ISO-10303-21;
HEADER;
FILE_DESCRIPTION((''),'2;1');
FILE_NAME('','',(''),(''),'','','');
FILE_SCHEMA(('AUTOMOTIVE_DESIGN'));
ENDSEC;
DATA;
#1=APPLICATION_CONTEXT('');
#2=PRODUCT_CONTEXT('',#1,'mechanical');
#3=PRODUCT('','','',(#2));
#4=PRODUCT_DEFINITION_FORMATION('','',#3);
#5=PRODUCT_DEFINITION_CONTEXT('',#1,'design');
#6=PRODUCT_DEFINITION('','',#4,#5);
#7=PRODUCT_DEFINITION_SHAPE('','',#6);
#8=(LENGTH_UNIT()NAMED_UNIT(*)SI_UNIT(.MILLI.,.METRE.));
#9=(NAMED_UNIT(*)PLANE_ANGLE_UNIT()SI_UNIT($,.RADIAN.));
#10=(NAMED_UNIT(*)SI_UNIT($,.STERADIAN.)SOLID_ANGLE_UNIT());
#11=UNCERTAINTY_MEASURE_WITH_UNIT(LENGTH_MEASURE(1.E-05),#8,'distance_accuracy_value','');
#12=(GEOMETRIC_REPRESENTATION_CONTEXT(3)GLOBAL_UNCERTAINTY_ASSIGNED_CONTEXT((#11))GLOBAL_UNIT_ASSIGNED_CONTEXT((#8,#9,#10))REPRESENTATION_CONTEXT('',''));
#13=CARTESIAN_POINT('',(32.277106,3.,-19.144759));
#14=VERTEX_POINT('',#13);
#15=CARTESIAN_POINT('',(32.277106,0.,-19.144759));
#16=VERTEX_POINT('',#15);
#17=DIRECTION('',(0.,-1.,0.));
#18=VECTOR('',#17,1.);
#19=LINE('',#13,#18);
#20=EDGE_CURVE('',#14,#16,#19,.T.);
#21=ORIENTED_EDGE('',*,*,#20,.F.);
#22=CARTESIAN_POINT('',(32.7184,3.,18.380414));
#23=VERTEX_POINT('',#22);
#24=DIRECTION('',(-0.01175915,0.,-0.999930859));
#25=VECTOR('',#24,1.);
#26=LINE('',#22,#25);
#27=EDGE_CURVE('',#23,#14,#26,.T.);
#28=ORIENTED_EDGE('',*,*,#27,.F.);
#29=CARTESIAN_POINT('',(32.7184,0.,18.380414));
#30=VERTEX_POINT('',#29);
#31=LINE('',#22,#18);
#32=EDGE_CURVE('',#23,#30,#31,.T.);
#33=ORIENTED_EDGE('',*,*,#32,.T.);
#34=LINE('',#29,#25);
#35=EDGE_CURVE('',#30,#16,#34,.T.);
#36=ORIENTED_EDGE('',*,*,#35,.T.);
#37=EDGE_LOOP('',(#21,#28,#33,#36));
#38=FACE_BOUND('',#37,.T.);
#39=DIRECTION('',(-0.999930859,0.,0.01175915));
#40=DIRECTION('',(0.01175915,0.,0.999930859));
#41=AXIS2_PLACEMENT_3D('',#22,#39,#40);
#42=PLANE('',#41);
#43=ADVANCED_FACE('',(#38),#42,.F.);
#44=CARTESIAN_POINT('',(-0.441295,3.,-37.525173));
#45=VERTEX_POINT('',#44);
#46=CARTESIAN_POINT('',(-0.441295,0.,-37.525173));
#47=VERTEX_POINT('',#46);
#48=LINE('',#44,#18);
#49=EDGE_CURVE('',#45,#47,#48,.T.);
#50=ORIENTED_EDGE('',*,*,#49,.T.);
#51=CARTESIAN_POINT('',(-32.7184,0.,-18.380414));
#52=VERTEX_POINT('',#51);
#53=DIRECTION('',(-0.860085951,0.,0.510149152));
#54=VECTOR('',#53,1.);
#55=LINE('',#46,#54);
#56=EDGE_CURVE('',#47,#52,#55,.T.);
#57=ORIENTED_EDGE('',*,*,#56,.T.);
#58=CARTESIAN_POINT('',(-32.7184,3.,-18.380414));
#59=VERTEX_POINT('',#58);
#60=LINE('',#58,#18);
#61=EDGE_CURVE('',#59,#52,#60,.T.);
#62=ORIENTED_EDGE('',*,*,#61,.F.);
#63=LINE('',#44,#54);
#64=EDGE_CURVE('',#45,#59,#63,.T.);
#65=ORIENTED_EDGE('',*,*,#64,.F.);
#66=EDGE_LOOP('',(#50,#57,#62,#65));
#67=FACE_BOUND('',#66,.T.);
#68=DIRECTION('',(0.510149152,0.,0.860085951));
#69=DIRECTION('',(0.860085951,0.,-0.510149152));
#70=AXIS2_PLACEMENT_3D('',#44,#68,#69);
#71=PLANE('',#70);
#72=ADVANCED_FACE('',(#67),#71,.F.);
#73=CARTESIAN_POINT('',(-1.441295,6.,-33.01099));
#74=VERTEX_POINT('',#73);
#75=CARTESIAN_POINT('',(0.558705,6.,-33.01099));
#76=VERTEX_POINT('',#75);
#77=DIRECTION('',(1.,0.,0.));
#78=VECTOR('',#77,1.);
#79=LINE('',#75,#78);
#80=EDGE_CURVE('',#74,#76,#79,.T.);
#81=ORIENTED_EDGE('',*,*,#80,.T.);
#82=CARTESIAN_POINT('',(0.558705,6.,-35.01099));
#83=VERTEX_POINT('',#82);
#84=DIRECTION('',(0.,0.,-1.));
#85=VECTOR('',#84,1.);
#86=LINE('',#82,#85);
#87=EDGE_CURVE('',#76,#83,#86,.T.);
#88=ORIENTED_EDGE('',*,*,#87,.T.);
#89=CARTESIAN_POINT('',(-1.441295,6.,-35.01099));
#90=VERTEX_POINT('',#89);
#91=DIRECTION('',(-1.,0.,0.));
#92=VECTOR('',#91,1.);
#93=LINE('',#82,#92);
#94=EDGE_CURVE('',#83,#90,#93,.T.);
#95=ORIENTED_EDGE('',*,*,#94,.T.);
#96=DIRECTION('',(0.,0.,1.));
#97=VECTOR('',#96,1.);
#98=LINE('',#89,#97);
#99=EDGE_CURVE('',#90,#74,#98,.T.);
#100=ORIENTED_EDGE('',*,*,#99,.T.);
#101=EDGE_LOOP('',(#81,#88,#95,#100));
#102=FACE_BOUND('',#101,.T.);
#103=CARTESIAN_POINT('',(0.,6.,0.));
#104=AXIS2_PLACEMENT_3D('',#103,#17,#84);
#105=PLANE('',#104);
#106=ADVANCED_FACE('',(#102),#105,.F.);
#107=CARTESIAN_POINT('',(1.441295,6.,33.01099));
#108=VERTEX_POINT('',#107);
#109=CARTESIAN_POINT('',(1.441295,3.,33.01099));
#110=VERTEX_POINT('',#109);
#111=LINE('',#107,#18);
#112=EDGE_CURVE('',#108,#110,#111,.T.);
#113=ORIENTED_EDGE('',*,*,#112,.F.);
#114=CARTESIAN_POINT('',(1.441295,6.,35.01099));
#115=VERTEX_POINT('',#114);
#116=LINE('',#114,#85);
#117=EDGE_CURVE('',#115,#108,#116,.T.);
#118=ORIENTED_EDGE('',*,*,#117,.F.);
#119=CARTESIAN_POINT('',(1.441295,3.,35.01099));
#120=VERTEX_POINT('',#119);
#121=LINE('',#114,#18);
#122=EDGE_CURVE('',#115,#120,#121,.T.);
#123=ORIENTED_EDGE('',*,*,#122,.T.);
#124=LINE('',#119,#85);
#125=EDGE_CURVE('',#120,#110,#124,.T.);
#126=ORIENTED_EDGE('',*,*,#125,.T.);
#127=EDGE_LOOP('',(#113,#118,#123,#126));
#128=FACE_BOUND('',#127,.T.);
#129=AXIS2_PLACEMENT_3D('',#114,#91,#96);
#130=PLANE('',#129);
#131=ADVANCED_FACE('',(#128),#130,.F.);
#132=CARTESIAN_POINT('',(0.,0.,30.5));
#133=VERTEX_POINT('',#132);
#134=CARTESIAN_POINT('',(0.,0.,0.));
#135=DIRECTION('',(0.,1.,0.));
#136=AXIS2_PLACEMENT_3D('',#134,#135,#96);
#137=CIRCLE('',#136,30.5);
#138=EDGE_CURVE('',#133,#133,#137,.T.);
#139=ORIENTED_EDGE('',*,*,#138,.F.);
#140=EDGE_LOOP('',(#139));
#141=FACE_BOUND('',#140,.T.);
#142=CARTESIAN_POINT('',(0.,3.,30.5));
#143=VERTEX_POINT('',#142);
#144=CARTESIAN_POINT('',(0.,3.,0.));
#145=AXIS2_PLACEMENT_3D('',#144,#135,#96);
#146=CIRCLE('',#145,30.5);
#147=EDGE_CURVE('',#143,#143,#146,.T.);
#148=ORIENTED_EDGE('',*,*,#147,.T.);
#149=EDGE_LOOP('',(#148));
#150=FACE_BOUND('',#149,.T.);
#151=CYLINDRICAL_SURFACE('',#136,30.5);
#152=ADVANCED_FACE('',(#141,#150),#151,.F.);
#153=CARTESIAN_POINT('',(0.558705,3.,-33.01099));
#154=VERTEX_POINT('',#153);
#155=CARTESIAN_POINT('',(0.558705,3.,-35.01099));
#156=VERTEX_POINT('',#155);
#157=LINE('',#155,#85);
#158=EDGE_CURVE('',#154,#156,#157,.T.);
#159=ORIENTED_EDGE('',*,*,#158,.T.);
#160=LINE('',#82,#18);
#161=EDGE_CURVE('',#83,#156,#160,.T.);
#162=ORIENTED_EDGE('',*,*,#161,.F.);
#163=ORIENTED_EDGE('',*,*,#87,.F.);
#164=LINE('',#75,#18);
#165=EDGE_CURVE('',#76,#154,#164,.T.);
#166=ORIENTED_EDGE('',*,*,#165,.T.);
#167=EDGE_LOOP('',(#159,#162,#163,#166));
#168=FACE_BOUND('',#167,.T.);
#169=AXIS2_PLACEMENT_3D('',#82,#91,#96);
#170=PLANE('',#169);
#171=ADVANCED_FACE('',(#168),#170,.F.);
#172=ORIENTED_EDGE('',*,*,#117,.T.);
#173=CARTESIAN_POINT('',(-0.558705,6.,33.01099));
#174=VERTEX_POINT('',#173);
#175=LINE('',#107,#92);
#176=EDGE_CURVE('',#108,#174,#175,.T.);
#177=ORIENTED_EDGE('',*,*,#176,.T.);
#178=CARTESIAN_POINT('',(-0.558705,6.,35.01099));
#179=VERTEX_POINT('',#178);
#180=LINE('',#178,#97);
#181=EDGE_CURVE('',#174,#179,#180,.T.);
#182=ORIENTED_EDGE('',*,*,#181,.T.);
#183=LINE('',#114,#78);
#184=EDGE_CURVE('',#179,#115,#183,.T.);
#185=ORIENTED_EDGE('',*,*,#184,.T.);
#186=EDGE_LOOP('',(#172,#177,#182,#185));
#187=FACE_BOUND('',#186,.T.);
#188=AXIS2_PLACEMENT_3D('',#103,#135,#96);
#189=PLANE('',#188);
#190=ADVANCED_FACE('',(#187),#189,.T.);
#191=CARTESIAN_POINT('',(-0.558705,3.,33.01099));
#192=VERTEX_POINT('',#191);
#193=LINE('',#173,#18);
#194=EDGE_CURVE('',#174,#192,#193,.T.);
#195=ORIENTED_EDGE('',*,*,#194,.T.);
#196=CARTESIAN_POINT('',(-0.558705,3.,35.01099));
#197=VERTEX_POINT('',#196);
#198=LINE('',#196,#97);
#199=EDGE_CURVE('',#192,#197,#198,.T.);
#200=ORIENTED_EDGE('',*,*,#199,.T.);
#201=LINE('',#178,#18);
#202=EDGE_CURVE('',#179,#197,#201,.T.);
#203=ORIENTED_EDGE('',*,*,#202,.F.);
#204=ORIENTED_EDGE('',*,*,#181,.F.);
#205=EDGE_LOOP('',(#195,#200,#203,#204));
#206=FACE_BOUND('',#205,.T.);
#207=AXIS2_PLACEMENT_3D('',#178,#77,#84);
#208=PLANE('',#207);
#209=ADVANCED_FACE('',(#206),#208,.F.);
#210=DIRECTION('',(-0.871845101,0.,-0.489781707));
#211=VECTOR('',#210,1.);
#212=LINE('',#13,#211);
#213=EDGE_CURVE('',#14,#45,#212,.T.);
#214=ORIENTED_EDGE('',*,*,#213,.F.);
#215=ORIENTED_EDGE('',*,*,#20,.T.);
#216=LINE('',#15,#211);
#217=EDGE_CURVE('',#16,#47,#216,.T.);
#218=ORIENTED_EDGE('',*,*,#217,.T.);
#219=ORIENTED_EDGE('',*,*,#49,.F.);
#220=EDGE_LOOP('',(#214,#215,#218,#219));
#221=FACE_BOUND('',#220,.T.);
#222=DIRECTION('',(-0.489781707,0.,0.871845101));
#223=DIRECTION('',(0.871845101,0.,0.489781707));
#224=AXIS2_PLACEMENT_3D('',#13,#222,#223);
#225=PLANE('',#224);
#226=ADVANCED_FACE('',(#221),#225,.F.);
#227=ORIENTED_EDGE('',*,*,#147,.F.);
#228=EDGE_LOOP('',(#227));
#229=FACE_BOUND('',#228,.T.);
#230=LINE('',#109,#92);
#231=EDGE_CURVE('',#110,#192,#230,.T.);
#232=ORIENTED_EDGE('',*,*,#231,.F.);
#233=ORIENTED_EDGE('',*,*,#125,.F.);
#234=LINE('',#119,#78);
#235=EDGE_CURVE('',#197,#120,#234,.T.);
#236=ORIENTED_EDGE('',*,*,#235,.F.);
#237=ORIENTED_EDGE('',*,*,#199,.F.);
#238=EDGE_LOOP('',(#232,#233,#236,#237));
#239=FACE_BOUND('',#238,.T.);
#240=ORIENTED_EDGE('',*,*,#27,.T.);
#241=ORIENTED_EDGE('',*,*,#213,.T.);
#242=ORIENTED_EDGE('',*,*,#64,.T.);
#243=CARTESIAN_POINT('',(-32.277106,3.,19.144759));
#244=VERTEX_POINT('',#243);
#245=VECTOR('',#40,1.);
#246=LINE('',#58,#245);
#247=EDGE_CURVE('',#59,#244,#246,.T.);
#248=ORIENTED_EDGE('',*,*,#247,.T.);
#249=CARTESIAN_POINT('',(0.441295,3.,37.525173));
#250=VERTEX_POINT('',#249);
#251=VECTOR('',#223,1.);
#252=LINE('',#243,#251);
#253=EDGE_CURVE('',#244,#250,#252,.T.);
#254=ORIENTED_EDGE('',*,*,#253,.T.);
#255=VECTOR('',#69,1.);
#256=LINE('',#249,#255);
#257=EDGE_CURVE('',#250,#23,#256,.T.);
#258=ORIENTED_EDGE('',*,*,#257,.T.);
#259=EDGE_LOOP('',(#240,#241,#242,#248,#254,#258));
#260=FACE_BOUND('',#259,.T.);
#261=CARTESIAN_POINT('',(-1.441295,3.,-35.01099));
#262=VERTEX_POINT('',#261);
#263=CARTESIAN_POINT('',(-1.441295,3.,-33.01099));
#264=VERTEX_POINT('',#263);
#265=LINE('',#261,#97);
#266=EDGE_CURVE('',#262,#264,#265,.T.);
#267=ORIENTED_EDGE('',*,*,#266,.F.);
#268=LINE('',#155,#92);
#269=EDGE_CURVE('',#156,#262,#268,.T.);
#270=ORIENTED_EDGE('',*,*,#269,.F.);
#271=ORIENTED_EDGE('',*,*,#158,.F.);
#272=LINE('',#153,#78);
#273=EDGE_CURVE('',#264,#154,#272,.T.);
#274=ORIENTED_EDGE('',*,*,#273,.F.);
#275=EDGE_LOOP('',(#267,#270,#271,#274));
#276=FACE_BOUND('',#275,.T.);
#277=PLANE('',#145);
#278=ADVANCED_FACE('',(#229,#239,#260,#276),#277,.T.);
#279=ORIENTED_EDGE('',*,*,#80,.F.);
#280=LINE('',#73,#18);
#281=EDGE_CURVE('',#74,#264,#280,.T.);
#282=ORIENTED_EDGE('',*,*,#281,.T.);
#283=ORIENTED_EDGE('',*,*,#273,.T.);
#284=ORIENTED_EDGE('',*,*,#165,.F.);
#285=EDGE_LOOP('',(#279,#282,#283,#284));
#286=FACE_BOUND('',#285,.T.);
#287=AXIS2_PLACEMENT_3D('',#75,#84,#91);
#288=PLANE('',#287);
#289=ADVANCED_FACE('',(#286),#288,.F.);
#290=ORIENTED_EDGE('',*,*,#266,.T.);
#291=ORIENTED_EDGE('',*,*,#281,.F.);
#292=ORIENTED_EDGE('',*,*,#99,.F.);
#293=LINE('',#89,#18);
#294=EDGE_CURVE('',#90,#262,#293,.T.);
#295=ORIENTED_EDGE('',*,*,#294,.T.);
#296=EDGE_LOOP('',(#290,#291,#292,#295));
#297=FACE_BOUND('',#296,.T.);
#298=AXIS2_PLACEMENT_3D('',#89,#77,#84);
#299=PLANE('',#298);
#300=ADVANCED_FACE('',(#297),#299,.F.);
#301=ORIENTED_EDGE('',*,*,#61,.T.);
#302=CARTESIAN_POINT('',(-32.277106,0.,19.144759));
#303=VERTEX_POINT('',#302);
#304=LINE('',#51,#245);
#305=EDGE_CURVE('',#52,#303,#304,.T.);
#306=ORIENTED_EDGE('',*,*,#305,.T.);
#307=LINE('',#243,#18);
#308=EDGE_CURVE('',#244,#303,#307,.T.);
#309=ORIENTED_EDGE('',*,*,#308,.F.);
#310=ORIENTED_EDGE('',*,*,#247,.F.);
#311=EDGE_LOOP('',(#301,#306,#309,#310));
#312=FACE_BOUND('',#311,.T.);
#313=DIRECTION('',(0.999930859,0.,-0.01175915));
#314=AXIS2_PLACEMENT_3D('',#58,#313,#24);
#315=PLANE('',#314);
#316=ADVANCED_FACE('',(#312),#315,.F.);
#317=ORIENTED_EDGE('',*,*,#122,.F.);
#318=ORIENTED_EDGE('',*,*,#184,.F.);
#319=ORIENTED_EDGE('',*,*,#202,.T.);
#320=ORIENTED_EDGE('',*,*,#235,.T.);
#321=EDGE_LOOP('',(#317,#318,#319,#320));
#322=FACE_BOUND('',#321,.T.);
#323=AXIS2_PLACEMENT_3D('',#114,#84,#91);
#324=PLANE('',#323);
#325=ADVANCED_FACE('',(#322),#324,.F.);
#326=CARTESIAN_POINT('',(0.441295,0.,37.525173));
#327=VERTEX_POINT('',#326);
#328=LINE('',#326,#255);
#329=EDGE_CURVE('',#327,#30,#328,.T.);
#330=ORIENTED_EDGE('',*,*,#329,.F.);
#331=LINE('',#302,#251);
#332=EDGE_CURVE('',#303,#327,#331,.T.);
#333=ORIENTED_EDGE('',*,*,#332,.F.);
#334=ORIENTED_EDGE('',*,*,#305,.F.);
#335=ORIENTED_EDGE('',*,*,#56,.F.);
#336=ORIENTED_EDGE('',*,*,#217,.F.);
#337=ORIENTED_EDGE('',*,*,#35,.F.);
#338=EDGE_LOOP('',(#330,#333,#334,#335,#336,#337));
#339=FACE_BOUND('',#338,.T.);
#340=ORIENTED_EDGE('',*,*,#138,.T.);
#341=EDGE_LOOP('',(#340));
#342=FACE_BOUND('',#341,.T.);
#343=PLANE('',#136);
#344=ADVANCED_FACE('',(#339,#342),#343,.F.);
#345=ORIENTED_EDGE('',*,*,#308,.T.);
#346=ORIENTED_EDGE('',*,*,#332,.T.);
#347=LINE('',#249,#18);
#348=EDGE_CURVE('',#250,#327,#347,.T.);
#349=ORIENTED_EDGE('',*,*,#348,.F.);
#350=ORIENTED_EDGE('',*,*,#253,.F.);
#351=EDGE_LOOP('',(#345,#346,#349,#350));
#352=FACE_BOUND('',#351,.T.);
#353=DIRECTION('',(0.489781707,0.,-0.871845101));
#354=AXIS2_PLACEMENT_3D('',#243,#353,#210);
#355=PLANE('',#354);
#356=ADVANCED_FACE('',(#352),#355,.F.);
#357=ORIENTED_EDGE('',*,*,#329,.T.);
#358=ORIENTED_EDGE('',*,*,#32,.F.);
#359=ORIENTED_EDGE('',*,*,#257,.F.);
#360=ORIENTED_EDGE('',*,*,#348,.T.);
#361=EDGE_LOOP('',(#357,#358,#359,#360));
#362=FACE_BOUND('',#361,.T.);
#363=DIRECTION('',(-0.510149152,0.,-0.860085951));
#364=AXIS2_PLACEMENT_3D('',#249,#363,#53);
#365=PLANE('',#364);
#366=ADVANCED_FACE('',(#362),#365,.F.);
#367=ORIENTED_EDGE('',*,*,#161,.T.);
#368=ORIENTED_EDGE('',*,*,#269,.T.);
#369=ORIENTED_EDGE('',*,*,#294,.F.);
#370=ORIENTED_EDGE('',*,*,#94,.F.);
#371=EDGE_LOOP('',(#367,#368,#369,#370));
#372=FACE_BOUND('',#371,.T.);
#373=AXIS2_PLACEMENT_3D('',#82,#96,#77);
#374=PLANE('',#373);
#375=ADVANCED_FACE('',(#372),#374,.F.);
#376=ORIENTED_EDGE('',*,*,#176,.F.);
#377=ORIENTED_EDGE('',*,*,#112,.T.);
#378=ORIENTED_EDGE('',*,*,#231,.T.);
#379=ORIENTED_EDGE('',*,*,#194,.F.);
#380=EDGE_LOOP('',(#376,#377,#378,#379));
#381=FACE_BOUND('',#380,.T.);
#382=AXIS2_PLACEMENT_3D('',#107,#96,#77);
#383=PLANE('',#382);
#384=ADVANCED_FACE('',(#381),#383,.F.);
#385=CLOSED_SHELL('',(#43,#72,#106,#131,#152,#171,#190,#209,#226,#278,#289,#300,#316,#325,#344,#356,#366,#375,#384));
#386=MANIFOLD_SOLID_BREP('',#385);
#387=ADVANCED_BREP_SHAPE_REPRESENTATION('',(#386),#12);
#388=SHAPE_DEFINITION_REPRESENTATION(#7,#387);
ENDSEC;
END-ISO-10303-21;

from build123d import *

# Parameters (mm, degrees)
BOSS_EXTRUDE1_DEPTH = 3
SKETCH2_R           = 30.5
CUT_EXTRUDE1_DEPTH  = 50.876169719
SKETCH3_W           = 2
SKETCH3_H           = 2
BOSS_EXTRUDE2_DEPTH = 3
SKETCH4_W           = 2
SKETCH4_H           = 2
BOSS_EXTRUDE3_DEPTH = 3


with BuildPart() as part:
    # Sketch1 → Boss-Extrude1 (new body)
    with BuildSketch(Plane(origin=(0, 0, 0), x_dir=(1, 0, 0), z_dir=(0, 1, 0))):
        Polygon((-32.718400228, 18.380414028), (-32.277105594, -19.144758755), (0.441294634, -37.525172783), (32.718400228, -18.380414028), (32.277105594, 19.144758755), (-0.441294634, 37.525172783), align=None)
    extrude(amount=BOSS_EXTRUDE1_DEPTH)

    # Sketch2 → Cut-Extrude1 (cut, through all)
    with BuildSketch(Plane(origin=(0, 3, 0), x_dir=(1, 0, 0), z_dir=(0, 1, 0))):
        with Locations(Location((0, 0, 0), (0, 0, 270))):
            Circle(SKETCH2_R)
    extrude(amount=-CUT_EXTRUDE1_DEPTH, mode=Mode.SUBTRACT)

    # Sketch3 → Boss-Extrude2 (add)
    with BuildSketch(Plane(origin=(0, 3, 0), x_dir=(1, 0, 0), z_dir=(0, 1, 0))):
        with Locations((-0.441294634, 34.010990071)):
            Rectangle(SKETCH3_W, SKETCH3_H)
    extrude(amount=BOSS_EXTRUDE2_DEPTH)

    # Sketch4 → Boss-Extrude3 (add)
    with BuildSketch(Plane(origin=(0, 3, 0), x_dir=(1, 0, 0), z_dir=(0, 1, 0))):
        with Locations((0.441294634, -34.010990071)):
            Rectangle(SKETCH4_W, SKETCH4_H)
    extrude(amount=BOSS_EXTRUDE3_DEPTH)


solid = part.part
